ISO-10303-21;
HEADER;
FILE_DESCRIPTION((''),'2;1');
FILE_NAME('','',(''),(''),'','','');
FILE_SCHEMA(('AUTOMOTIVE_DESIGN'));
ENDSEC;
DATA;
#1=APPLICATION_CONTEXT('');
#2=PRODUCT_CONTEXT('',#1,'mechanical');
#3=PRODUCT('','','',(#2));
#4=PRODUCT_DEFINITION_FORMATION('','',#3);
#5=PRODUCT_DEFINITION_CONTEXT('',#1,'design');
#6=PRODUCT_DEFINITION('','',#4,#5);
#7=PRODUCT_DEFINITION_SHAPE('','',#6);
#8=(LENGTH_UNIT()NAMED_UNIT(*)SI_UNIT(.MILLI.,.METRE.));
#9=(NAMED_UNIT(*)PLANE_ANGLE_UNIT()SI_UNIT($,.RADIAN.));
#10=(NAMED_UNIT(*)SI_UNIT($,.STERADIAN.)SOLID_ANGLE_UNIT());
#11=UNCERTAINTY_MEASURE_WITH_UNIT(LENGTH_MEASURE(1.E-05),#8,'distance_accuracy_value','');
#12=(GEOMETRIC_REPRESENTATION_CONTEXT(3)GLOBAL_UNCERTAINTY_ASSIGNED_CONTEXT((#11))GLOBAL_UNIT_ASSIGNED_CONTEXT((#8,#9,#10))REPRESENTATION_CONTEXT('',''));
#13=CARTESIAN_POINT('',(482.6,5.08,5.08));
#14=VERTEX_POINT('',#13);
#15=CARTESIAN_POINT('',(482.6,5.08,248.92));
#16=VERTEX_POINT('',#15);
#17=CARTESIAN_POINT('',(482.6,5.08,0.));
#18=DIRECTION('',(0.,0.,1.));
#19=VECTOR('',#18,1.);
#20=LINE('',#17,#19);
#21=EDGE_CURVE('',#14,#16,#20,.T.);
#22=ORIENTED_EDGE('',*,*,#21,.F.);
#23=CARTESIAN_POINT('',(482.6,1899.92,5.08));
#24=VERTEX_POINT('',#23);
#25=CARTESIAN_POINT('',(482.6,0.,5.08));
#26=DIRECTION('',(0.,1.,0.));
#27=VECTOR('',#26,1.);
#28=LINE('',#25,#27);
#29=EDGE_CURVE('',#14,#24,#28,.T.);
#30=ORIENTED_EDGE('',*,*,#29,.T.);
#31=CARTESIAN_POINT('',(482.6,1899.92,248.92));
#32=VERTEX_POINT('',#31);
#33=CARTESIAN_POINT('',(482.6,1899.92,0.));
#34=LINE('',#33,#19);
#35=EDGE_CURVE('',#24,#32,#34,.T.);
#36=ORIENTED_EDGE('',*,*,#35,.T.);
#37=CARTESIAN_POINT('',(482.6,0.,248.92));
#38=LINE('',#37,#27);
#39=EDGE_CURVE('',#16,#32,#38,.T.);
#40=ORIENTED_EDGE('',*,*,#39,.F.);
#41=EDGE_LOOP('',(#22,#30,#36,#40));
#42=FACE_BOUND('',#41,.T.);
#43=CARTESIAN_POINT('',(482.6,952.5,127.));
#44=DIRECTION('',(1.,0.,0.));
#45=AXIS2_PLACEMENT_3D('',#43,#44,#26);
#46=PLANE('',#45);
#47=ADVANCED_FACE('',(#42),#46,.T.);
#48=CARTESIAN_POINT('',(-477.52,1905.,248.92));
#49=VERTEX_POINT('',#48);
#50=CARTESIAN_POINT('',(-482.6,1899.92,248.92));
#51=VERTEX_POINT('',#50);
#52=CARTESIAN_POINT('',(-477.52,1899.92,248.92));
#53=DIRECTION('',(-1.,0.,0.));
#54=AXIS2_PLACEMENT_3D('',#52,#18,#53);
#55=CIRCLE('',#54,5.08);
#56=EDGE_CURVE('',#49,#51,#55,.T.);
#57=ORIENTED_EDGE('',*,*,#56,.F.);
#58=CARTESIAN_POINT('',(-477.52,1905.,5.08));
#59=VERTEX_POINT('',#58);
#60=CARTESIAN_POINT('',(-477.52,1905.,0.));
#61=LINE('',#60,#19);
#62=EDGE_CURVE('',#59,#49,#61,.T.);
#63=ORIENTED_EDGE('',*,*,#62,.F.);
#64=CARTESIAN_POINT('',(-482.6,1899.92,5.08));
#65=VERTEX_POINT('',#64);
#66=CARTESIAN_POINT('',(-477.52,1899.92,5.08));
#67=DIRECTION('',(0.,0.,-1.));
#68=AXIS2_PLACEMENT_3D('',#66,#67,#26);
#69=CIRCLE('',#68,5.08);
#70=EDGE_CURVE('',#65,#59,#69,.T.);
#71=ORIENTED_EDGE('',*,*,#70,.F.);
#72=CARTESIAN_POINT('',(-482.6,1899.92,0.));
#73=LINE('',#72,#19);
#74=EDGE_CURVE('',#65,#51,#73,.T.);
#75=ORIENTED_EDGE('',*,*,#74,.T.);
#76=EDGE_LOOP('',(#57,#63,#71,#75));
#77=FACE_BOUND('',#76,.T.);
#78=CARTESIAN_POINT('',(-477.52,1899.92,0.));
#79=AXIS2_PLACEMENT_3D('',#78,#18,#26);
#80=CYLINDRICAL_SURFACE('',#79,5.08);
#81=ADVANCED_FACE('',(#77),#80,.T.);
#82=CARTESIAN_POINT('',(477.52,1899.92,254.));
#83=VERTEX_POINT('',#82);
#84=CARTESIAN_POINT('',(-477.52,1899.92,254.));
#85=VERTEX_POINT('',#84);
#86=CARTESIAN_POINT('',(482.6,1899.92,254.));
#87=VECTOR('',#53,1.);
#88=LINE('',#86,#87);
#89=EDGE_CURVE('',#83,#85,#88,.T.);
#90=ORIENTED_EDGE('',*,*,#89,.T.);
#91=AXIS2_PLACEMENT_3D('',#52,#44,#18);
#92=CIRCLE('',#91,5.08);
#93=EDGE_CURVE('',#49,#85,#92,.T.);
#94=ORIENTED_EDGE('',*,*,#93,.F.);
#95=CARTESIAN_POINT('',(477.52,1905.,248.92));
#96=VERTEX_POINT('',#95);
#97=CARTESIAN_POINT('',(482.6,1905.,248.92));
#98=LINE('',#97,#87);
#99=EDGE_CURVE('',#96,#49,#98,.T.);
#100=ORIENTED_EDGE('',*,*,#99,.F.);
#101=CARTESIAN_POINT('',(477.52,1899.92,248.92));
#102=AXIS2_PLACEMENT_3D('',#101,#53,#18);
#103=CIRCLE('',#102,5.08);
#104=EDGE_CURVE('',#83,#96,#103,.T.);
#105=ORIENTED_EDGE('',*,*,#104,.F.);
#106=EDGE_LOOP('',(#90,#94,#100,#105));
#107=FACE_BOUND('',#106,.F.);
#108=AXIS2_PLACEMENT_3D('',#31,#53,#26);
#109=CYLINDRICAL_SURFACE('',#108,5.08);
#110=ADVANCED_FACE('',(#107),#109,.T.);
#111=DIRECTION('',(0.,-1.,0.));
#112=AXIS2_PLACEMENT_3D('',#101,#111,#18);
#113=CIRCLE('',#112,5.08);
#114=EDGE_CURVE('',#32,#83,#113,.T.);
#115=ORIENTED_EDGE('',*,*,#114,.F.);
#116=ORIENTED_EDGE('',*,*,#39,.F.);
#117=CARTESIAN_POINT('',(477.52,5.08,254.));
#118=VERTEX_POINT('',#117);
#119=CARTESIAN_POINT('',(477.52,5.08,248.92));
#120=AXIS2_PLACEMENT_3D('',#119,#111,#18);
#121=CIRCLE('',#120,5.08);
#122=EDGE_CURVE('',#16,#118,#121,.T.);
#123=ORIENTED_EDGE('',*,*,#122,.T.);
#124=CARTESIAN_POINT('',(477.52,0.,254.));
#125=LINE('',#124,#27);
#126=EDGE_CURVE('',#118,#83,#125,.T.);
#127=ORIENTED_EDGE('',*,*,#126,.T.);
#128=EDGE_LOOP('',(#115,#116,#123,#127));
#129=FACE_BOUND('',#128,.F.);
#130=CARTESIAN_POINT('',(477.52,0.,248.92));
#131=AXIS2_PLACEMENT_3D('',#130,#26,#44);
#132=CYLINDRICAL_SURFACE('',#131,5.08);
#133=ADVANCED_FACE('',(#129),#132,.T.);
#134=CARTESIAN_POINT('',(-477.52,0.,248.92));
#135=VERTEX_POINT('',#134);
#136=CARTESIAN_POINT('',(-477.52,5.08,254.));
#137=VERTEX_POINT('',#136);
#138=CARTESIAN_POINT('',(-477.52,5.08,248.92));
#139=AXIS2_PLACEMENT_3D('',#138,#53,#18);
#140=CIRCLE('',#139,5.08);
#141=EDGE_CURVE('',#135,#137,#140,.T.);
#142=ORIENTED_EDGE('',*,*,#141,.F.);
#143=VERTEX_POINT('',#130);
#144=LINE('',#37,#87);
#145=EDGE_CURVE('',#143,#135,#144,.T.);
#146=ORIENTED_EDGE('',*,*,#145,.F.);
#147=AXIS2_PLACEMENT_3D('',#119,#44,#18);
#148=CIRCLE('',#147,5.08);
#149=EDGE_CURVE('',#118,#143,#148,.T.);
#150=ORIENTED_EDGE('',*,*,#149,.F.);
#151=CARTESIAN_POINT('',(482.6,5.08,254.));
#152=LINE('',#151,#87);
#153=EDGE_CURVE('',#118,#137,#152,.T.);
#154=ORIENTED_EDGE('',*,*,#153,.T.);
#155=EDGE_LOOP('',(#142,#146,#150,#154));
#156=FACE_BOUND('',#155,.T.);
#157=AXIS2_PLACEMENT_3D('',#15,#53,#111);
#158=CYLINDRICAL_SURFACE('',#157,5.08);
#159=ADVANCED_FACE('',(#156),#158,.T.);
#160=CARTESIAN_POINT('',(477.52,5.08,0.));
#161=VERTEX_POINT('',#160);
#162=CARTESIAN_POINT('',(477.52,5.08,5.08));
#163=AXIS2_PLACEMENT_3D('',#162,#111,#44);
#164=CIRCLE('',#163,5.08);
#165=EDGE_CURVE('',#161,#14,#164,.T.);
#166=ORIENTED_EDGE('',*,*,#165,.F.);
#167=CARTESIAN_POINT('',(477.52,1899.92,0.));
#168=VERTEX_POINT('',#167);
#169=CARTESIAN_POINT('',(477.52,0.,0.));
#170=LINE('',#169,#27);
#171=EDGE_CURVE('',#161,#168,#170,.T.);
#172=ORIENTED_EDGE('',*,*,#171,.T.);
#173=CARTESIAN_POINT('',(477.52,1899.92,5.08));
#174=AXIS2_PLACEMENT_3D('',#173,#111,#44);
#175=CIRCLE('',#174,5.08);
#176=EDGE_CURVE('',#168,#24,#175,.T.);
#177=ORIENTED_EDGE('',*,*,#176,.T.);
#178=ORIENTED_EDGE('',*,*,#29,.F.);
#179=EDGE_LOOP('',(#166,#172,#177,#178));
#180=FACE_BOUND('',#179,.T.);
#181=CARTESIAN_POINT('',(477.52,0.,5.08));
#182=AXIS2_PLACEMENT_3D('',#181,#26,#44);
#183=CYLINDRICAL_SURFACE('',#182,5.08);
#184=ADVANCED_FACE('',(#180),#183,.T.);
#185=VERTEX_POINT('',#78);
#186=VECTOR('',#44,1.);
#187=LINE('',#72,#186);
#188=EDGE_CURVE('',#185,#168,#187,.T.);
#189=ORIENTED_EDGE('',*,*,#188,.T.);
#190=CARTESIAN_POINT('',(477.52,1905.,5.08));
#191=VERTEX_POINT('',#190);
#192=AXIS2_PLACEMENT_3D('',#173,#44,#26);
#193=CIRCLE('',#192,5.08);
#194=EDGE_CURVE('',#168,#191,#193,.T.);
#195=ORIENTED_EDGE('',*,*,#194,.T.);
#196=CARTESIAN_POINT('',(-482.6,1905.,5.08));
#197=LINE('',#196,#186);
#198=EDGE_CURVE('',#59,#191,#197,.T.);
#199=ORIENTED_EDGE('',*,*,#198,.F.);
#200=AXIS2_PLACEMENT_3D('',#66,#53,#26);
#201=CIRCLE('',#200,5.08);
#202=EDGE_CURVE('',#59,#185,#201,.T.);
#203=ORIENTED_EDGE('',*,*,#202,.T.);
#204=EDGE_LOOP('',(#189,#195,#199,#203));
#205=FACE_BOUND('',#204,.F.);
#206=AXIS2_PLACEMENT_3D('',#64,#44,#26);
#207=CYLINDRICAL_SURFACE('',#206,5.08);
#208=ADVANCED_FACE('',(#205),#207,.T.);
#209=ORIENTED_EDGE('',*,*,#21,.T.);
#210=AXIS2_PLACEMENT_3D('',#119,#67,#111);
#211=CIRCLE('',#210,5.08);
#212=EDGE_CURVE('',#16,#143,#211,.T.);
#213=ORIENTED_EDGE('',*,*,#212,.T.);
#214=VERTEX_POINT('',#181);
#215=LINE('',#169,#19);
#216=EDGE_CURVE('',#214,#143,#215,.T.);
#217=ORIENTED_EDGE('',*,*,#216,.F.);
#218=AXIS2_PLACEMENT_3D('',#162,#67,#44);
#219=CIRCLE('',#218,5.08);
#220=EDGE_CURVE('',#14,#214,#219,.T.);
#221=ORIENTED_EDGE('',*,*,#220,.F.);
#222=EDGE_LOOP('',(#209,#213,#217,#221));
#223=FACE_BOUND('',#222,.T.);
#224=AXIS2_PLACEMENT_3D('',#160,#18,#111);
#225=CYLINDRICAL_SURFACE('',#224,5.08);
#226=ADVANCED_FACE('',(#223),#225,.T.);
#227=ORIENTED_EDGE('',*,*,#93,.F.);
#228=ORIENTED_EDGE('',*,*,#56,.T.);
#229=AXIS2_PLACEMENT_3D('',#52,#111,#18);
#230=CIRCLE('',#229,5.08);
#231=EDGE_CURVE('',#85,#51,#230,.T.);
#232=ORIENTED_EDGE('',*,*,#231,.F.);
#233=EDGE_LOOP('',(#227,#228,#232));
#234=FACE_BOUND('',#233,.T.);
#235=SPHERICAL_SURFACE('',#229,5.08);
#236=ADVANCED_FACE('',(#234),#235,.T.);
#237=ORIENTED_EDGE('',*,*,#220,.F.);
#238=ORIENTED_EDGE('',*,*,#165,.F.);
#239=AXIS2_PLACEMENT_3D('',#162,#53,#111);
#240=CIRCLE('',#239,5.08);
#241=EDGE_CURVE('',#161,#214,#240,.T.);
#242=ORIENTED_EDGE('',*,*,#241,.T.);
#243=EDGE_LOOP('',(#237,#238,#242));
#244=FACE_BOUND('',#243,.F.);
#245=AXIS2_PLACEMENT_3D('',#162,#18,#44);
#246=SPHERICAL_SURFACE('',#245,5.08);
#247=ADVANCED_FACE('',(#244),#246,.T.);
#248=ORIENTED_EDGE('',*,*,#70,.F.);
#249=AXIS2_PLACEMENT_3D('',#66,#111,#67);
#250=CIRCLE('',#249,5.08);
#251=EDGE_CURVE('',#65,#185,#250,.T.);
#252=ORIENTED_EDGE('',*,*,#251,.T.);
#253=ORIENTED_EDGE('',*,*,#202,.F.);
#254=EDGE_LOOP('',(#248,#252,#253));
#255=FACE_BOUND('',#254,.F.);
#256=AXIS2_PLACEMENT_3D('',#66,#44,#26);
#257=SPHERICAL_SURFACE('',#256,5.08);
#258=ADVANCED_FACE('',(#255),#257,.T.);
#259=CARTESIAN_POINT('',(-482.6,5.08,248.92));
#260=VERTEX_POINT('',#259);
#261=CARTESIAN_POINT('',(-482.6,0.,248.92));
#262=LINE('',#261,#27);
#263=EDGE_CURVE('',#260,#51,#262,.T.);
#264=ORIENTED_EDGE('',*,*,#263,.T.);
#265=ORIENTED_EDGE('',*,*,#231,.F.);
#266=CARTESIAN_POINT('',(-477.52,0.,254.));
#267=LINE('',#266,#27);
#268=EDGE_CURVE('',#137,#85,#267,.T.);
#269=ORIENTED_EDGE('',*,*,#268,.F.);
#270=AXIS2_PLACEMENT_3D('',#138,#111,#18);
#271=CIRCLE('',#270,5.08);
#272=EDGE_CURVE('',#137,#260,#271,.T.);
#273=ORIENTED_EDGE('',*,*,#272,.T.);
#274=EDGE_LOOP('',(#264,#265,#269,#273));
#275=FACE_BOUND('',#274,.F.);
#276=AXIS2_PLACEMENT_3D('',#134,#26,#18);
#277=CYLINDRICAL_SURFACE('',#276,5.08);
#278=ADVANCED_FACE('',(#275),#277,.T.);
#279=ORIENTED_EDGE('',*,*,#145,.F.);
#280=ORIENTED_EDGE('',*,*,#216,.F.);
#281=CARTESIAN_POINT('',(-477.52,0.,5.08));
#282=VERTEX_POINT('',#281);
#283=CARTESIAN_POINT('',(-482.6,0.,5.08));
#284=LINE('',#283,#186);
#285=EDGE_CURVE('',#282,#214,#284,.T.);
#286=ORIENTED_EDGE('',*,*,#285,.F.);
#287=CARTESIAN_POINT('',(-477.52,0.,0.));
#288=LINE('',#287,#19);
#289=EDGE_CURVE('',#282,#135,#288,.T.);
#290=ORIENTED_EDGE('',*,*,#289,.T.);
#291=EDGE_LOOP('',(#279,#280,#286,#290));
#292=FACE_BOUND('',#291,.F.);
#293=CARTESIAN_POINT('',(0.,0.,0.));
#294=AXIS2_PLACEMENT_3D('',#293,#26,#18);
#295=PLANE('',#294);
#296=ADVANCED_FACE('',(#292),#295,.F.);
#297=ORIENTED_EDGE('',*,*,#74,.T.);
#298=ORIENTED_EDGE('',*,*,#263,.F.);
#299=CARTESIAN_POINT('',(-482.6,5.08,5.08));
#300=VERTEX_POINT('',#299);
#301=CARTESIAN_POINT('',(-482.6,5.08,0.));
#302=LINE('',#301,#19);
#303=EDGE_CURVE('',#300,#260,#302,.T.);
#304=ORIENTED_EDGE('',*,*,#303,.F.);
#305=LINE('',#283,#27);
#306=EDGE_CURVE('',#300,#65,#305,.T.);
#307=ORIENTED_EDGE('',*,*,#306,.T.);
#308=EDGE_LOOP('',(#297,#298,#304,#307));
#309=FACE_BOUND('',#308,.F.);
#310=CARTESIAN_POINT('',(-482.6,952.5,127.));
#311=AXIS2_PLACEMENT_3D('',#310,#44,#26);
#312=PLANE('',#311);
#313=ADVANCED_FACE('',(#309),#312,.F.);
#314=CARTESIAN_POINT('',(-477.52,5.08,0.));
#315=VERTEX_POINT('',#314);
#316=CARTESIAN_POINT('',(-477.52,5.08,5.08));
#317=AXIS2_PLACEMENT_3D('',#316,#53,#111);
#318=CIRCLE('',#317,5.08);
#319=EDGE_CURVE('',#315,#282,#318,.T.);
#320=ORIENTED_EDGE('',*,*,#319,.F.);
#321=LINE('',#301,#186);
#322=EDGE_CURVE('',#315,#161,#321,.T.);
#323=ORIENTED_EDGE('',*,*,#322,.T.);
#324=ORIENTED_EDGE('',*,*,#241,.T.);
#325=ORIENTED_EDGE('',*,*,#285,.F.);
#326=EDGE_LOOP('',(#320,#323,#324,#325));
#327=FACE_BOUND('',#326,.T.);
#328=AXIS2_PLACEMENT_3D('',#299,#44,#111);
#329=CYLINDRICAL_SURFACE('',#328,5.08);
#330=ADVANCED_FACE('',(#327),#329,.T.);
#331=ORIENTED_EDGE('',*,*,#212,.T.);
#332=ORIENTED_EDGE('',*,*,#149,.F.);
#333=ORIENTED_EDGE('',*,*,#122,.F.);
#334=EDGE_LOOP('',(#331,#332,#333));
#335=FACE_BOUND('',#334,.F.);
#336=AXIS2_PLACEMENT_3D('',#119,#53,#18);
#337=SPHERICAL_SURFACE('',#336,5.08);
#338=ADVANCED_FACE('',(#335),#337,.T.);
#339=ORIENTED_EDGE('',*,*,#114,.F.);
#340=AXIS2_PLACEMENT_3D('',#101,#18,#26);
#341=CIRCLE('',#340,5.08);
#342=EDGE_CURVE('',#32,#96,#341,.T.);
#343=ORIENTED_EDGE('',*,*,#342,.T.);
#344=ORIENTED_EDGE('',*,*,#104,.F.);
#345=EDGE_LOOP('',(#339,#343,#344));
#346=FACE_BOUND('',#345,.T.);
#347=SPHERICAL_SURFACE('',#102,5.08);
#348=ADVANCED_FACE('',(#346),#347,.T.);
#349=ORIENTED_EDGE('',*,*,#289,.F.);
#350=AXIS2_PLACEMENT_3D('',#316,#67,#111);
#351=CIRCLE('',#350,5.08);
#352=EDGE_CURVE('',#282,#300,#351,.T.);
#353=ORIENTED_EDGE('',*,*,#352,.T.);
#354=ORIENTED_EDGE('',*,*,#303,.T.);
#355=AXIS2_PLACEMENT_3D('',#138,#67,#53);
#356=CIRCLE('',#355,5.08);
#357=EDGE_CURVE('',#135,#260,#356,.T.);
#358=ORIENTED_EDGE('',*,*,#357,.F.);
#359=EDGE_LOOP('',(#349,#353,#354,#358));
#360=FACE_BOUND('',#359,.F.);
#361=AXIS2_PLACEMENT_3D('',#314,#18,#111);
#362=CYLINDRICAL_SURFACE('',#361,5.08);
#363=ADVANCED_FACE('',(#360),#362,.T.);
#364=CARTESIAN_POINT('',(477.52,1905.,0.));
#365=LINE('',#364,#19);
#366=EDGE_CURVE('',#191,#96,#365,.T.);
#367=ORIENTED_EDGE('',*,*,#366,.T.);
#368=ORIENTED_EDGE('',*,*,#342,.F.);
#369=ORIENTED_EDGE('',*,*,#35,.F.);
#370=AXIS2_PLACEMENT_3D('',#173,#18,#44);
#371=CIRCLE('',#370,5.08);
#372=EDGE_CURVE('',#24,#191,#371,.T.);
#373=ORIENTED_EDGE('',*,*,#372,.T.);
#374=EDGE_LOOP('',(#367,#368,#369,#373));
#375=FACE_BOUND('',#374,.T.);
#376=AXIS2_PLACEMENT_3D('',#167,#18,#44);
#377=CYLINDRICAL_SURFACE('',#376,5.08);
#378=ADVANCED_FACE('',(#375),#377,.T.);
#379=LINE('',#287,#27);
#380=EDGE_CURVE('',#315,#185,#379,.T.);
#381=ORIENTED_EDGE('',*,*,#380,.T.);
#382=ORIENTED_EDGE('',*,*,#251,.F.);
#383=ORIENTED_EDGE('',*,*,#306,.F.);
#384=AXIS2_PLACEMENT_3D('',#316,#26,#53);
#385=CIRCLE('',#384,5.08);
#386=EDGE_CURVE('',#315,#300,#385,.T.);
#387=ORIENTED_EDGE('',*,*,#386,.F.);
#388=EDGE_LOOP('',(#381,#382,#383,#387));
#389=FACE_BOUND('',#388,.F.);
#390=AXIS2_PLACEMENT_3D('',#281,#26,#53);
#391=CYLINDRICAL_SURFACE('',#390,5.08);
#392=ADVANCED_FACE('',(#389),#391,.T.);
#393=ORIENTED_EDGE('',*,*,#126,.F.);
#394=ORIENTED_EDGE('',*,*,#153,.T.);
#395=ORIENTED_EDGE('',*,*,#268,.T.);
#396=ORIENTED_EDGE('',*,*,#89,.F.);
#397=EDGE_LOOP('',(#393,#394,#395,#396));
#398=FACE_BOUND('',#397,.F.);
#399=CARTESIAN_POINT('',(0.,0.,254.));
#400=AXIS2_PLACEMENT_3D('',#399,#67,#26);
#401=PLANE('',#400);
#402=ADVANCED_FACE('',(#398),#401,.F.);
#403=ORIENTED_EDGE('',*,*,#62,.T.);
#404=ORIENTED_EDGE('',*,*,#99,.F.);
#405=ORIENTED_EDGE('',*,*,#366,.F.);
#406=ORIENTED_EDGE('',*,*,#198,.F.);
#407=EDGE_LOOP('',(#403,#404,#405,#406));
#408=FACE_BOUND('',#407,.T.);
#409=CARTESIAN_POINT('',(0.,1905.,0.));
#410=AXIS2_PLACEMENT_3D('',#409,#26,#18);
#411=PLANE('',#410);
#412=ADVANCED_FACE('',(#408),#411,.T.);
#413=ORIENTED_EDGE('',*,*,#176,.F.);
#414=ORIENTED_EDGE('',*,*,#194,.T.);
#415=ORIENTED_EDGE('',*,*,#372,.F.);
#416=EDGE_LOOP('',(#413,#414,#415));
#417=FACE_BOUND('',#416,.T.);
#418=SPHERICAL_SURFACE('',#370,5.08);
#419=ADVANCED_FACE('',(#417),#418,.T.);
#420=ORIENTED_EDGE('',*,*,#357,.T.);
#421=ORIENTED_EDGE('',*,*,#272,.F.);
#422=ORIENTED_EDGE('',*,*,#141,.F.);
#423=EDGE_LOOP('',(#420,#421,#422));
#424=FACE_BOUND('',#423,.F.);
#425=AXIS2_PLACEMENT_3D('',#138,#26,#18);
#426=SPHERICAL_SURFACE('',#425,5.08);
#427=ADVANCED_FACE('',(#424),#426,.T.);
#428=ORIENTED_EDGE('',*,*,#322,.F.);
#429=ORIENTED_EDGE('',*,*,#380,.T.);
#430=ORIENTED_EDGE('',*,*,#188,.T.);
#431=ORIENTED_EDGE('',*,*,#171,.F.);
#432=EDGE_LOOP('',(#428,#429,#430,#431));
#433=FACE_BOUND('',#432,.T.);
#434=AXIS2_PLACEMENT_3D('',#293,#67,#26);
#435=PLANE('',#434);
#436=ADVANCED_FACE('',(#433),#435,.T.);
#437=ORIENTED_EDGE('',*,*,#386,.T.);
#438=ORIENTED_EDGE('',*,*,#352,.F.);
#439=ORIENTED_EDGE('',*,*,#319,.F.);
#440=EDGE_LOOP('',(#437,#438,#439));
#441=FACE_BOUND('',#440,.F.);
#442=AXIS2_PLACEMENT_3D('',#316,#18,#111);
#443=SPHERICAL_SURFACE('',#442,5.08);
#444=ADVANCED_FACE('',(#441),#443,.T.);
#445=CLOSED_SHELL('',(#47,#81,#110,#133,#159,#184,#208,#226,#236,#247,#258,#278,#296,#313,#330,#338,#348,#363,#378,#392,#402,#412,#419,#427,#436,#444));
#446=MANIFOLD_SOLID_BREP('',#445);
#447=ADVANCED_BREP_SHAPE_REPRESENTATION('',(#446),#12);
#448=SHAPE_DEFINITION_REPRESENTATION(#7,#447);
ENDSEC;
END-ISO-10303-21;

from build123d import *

# Parameters (mm, degrees)
F0_W     = 1905
F0_H     = 254
F1_DEPTH = 482.6
F2_R     = 5.08


with BuildPart() as f1:
    # F0 (on Right) → F1 (new body, symmetric)
    with BuildSketch(Plane.YZ):
        with Locations((952.5, 127)):
            Rectangle(F0_W, F0_H)
    extrude(amount=F1_DEPTH, both=True)

    # F2
    f2_edges = [f1.edges().sort_by_distance(p)[0] for p in [
        (-482.6, 952.5, 254),
        (0, 0, 254),
        (0, 1905, 254),
        (482.6, 952.5, 254),
        (-482.6, 0, 127),
        (482.6, 0, 127),
        (482.6, 1905, 127),
        (482.6, 952.5, 0),
        (0, 0, 0),
        (0, 1905, 0),
        (-482.6, 1905, 127),
        (-482.6, 952.5, 0),
    ]]
    fillet(f2_edges, radius=F2_R)


solid = f1.part
